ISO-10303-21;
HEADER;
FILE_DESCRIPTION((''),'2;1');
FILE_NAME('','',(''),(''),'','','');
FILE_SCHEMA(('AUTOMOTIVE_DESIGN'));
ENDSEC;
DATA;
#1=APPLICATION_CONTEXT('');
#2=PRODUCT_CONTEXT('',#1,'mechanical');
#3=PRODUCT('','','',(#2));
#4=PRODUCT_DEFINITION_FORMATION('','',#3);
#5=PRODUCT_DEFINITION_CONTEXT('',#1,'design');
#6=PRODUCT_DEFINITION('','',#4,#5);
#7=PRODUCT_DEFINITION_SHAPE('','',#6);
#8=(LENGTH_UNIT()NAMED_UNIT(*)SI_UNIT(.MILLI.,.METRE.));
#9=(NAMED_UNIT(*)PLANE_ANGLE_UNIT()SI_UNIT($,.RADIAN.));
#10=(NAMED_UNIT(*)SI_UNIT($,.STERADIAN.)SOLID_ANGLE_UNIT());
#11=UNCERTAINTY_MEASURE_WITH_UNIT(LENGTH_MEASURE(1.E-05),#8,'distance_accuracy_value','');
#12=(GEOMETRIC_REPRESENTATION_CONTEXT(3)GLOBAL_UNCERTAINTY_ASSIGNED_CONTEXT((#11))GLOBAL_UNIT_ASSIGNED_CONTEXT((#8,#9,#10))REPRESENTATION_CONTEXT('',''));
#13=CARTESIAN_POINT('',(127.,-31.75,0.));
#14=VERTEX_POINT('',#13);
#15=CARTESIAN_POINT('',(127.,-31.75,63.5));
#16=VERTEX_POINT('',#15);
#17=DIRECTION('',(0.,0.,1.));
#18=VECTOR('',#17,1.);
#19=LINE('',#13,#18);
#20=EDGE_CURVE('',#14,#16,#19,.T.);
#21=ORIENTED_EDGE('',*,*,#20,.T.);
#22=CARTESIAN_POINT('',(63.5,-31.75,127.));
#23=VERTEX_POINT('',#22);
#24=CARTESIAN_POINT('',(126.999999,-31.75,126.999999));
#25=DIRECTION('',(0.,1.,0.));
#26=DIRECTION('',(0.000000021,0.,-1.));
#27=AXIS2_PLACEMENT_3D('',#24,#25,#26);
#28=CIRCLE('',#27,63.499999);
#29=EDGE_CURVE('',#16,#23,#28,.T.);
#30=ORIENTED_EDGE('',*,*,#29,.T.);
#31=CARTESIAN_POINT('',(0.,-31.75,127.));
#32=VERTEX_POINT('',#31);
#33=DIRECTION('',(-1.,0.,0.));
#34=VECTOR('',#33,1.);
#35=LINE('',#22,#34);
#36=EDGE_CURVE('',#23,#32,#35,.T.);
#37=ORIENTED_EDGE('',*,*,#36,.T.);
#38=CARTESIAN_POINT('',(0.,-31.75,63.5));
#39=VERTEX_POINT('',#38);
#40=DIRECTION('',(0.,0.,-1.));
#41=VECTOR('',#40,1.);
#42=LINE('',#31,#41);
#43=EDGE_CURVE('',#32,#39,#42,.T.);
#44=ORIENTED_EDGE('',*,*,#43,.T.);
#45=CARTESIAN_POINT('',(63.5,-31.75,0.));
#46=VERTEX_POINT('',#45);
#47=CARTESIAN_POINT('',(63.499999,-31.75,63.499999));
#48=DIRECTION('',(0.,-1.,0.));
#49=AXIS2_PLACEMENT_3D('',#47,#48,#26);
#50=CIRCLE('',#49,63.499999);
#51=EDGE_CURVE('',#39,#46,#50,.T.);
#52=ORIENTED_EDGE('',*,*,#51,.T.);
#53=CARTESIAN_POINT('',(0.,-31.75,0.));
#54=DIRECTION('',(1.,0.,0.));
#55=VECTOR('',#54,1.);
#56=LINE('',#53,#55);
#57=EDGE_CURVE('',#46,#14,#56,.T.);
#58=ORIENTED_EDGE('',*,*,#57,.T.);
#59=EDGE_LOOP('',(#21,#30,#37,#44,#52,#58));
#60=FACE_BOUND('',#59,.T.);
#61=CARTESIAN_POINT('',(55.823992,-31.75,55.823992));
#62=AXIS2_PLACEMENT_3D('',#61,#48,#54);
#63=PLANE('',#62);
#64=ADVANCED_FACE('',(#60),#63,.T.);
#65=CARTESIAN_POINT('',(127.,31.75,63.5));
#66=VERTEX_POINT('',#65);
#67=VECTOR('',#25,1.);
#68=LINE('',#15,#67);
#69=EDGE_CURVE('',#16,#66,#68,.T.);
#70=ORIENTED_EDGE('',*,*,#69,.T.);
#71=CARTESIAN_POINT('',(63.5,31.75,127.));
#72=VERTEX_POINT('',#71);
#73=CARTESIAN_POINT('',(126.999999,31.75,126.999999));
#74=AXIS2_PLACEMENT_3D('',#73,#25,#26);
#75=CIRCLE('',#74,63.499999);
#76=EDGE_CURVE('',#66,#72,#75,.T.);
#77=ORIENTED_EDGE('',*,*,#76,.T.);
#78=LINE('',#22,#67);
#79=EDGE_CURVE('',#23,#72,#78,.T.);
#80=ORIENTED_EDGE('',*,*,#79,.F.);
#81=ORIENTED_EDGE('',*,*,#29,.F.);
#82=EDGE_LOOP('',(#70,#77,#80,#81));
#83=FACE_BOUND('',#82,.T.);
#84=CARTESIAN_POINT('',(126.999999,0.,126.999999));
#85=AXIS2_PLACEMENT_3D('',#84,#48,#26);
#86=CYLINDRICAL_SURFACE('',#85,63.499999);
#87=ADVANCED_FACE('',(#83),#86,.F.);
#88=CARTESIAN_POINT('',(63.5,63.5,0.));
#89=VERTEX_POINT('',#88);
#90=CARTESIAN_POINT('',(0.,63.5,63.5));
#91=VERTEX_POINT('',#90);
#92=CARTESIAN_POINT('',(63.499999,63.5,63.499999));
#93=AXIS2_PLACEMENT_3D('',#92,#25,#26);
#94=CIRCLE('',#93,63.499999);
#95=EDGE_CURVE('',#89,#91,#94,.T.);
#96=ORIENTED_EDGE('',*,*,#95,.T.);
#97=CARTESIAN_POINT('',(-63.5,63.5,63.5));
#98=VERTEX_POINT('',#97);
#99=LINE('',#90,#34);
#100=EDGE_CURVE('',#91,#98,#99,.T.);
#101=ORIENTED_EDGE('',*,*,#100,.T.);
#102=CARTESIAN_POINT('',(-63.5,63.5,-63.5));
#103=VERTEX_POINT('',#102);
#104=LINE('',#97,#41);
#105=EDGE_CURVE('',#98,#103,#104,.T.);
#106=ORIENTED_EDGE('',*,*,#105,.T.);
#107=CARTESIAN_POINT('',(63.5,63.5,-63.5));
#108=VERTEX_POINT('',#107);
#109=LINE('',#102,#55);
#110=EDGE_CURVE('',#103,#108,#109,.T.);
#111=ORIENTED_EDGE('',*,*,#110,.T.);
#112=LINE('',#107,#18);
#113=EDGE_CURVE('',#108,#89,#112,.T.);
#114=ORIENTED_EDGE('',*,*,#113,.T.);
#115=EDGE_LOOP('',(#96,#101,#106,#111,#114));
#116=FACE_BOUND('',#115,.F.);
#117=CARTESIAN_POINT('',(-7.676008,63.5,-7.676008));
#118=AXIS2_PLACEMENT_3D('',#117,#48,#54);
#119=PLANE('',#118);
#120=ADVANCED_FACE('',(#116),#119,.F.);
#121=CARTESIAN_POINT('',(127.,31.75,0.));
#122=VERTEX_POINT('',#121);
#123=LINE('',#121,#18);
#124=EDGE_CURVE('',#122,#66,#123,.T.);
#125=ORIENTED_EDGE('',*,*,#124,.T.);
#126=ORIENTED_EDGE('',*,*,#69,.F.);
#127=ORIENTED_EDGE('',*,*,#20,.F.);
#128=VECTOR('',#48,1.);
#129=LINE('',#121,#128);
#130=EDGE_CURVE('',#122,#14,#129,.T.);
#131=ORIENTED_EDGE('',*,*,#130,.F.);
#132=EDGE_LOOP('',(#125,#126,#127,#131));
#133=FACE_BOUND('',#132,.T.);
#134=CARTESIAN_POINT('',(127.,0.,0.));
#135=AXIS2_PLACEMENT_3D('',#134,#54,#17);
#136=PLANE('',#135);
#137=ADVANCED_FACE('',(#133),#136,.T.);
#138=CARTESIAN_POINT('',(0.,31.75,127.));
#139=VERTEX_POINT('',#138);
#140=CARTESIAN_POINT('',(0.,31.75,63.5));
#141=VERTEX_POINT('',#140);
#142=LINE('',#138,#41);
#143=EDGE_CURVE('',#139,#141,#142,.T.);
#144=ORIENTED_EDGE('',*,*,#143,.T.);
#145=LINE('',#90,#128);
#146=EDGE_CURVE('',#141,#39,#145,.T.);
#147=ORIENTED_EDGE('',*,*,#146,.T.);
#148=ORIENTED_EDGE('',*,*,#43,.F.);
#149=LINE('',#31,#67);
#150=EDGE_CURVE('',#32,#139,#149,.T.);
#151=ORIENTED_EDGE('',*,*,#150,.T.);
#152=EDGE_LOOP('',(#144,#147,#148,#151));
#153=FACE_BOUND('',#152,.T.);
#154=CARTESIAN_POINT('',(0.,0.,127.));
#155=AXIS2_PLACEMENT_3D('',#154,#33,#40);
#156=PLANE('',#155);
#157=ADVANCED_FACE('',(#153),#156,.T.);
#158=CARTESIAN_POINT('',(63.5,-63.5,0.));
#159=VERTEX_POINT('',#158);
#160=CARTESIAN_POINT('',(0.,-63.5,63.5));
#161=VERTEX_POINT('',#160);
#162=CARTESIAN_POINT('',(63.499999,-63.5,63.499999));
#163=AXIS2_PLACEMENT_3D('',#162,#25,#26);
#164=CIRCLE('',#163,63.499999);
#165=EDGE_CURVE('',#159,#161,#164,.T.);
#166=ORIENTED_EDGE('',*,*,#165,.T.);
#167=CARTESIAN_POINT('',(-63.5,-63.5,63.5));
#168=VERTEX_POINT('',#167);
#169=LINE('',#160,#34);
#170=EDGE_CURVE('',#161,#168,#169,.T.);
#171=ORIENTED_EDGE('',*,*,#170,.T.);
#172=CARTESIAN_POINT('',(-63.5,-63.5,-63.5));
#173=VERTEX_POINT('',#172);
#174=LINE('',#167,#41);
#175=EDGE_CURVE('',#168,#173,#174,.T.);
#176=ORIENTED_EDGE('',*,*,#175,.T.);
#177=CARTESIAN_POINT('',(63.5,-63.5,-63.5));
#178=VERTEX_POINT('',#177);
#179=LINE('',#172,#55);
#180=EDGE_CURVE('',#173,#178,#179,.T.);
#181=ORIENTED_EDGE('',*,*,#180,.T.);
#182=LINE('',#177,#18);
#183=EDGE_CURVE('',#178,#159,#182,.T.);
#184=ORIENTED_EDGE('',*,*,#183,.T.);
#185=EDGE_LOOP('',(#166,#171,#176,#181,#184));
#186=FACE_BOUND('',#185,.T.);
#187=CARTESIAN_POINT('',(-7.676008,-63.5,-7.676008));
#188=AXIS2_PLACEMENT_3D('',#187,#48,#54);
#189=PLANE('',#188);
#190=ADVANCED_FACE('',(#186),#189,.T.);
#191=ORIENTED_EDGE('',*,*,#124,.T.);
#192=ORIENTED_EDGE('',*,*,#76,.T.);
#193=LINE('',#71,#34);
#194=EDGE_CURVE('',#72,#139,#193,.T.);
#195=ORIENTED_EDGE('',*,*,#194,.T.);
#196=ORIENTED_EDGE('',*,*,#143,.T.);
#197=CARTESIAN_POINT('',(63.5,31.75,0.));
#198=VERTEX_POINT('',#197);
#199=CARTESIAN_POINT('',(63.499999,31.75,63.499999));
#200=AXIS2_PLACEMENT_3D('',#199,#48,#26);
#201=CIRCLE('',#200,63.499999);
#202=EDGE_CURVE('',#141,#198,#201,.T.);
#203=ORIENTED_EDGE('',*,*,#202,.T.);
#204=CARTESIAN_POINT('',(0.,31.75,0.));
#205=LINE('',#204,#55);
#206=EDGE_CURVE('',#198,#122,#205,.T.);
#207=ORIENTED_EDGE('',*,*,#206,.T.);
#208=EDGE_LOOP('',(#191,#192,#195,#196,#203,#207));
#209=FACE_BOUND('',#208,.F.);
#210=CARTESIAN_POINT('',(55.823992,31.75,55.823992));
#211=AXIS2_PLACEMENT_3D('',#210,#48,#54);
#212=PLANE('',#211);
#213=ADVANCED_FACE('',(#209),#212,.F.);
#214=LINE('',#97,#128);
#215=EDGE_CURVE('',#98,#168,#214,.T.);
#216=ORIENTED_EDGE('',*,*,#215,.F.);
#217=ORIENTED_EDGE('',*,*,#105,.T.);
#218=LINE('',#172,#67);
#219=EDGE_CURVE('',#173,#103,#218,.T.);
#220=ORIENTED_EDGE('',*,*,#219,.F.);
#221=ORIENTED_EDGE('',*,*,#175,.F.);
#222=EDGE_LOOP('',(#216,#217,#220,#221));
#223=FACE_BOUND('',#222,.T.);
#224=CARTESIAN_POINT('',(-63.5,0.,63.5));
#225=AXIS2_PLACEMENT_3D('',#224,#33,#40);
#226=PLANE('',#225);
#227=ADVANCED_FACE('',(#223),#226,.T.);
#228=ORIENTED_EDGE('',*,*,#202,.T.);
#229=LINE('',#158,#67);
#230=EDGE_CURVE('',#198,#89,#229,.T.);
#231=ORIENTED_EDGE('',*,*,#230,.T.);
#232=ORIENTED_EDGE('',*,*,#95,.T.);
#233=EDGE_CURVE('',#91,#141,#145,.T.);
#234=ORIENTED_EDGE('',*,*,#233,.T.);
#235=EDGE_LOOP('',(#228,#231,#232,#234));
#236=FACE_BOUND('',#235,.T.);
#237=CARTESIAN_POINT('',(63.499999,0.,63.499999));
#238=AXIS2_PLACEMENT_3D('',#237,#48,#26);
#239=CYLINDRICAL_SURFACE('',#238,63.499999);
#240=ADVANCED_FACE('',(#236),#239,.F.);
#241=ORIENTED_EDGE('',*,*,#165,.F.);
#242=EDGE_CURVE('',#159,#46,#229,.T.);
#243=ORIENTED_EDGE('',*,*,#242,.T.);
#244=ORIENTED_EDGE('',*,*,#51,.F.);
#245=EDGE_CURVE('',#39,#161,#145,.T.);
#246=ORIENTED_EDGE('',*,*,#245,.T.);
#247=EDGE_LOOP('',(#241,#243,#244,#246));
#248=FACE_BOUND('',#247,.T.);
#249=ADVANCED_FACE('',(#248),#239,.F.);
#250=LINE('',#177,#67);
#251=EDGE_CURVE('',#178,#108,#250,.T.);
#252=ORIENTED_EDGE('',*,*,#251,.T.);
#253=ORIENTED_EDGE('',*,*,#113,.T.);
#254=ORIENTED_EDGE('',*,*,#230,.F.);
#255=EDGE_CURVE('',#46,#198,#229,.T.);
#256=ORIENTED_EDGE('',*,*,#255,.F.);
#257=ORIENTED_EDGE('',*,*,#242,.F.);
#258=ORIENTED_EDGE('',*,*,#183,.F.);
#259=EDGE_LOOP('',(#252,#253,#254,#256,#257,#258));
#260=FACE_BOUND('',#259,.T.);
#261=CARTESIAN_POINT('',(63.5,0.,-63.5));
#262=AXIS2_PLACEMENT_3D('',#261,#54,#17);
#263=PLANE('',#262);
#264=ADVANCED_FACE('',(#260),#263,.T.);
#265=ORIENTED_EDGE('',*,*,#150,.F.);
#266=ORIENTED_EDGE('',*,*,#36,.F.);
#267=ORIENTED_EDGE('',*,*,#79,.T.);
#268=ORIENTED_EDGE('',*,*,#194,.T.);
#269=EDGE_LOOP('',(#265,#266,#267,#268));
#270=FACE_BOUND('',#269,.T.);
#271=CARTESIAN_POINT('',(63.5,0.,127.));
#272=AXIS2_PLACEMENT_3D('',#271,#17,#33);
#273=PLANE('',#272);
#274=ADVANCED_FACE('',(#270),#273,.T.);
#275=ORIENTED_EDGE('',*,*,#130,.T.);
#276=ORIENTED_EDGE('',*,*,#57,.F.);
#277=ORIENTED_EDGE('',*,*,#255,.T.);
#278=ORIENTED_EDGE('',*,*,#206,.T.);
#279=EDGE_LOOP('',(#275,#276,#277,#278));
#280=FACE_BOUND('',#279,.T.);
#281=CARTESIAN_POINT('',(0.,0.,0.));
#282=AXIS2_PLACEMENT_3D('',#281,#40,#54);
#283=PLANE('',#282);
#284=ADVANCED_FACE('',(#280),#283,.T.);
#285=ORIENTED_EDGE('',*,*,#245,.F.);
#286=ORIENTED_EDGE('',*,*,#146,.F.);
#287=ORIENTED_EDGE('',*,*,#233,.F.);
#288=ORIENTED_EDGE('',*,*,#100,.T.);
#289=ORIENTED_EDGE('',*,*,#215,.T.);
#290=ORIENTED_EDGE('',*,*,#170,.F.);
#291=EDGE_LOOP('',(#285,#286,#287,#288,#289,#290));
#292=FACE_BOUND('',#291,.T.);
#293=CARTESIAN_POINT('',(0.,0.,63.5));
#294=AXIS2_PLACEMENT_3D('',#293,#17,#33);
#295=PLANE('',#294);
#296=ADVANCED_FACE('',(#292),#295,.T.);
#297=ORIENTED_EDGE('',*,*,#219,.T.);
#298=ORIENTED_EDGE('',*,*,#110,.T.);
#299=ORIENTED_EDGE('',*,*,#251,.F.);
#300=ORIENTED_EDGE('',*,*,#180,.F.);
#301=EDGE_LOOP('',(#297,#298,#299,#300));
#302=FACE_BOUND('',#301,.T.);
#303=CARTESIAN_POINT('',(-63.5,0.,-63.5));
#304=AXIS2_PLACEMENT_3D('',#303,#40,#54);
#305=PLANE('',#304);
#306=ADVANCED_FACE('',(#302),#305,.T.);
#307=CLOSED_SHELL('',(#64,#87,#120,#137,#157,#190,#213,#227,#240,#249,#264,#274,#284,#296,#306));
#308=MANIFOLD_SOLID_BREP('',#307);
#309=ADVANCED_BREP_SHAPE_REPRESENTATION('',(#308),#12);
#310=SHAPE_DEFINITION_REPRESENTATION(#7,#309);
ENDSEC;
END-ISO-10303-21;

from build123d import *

# Parameters (mm, degrees)
F1_DEPTH = 63.5
F3_DEPTH = 31.75


with BuildPart() as f1:
    # F0 (on Front) → F1 (new body, symmetric)
    with BuildSketch(Plane.XZ):
        with BuildLine():
            ThreePointArc((63.5, 0), (18.598719, 18.598719), (0, 63.5))
            Line((0, 63.5), (-63.5, 63.5))
            Line((-63.5, 63.5), (-63.5, -63.5))
            Line((-63.5, -63.5), (63.5, -63.5))
            Line((63.5, -63.5), (63.5, 0))
        make_face()
    extrude(amount=F1_DEPTH, both=True)

    # F2 (on Front) → F3 (join, symmetric)
    with BuildSketch(Plane.XZ):
        with BuildLine():
            Line((0, 127), (0, 0))
            Line((0, 0), (127, 0))
            Line((127, 0), (127, 63.5))
            ThreePointArc((127, 63.5), (82.098719, 82.098719), (63.5, 127))
            Line((63.5, 127), (0, 127))
        make_face()
    extrude(amount=F3_DEPTH, both=True)


solid = f1.part
